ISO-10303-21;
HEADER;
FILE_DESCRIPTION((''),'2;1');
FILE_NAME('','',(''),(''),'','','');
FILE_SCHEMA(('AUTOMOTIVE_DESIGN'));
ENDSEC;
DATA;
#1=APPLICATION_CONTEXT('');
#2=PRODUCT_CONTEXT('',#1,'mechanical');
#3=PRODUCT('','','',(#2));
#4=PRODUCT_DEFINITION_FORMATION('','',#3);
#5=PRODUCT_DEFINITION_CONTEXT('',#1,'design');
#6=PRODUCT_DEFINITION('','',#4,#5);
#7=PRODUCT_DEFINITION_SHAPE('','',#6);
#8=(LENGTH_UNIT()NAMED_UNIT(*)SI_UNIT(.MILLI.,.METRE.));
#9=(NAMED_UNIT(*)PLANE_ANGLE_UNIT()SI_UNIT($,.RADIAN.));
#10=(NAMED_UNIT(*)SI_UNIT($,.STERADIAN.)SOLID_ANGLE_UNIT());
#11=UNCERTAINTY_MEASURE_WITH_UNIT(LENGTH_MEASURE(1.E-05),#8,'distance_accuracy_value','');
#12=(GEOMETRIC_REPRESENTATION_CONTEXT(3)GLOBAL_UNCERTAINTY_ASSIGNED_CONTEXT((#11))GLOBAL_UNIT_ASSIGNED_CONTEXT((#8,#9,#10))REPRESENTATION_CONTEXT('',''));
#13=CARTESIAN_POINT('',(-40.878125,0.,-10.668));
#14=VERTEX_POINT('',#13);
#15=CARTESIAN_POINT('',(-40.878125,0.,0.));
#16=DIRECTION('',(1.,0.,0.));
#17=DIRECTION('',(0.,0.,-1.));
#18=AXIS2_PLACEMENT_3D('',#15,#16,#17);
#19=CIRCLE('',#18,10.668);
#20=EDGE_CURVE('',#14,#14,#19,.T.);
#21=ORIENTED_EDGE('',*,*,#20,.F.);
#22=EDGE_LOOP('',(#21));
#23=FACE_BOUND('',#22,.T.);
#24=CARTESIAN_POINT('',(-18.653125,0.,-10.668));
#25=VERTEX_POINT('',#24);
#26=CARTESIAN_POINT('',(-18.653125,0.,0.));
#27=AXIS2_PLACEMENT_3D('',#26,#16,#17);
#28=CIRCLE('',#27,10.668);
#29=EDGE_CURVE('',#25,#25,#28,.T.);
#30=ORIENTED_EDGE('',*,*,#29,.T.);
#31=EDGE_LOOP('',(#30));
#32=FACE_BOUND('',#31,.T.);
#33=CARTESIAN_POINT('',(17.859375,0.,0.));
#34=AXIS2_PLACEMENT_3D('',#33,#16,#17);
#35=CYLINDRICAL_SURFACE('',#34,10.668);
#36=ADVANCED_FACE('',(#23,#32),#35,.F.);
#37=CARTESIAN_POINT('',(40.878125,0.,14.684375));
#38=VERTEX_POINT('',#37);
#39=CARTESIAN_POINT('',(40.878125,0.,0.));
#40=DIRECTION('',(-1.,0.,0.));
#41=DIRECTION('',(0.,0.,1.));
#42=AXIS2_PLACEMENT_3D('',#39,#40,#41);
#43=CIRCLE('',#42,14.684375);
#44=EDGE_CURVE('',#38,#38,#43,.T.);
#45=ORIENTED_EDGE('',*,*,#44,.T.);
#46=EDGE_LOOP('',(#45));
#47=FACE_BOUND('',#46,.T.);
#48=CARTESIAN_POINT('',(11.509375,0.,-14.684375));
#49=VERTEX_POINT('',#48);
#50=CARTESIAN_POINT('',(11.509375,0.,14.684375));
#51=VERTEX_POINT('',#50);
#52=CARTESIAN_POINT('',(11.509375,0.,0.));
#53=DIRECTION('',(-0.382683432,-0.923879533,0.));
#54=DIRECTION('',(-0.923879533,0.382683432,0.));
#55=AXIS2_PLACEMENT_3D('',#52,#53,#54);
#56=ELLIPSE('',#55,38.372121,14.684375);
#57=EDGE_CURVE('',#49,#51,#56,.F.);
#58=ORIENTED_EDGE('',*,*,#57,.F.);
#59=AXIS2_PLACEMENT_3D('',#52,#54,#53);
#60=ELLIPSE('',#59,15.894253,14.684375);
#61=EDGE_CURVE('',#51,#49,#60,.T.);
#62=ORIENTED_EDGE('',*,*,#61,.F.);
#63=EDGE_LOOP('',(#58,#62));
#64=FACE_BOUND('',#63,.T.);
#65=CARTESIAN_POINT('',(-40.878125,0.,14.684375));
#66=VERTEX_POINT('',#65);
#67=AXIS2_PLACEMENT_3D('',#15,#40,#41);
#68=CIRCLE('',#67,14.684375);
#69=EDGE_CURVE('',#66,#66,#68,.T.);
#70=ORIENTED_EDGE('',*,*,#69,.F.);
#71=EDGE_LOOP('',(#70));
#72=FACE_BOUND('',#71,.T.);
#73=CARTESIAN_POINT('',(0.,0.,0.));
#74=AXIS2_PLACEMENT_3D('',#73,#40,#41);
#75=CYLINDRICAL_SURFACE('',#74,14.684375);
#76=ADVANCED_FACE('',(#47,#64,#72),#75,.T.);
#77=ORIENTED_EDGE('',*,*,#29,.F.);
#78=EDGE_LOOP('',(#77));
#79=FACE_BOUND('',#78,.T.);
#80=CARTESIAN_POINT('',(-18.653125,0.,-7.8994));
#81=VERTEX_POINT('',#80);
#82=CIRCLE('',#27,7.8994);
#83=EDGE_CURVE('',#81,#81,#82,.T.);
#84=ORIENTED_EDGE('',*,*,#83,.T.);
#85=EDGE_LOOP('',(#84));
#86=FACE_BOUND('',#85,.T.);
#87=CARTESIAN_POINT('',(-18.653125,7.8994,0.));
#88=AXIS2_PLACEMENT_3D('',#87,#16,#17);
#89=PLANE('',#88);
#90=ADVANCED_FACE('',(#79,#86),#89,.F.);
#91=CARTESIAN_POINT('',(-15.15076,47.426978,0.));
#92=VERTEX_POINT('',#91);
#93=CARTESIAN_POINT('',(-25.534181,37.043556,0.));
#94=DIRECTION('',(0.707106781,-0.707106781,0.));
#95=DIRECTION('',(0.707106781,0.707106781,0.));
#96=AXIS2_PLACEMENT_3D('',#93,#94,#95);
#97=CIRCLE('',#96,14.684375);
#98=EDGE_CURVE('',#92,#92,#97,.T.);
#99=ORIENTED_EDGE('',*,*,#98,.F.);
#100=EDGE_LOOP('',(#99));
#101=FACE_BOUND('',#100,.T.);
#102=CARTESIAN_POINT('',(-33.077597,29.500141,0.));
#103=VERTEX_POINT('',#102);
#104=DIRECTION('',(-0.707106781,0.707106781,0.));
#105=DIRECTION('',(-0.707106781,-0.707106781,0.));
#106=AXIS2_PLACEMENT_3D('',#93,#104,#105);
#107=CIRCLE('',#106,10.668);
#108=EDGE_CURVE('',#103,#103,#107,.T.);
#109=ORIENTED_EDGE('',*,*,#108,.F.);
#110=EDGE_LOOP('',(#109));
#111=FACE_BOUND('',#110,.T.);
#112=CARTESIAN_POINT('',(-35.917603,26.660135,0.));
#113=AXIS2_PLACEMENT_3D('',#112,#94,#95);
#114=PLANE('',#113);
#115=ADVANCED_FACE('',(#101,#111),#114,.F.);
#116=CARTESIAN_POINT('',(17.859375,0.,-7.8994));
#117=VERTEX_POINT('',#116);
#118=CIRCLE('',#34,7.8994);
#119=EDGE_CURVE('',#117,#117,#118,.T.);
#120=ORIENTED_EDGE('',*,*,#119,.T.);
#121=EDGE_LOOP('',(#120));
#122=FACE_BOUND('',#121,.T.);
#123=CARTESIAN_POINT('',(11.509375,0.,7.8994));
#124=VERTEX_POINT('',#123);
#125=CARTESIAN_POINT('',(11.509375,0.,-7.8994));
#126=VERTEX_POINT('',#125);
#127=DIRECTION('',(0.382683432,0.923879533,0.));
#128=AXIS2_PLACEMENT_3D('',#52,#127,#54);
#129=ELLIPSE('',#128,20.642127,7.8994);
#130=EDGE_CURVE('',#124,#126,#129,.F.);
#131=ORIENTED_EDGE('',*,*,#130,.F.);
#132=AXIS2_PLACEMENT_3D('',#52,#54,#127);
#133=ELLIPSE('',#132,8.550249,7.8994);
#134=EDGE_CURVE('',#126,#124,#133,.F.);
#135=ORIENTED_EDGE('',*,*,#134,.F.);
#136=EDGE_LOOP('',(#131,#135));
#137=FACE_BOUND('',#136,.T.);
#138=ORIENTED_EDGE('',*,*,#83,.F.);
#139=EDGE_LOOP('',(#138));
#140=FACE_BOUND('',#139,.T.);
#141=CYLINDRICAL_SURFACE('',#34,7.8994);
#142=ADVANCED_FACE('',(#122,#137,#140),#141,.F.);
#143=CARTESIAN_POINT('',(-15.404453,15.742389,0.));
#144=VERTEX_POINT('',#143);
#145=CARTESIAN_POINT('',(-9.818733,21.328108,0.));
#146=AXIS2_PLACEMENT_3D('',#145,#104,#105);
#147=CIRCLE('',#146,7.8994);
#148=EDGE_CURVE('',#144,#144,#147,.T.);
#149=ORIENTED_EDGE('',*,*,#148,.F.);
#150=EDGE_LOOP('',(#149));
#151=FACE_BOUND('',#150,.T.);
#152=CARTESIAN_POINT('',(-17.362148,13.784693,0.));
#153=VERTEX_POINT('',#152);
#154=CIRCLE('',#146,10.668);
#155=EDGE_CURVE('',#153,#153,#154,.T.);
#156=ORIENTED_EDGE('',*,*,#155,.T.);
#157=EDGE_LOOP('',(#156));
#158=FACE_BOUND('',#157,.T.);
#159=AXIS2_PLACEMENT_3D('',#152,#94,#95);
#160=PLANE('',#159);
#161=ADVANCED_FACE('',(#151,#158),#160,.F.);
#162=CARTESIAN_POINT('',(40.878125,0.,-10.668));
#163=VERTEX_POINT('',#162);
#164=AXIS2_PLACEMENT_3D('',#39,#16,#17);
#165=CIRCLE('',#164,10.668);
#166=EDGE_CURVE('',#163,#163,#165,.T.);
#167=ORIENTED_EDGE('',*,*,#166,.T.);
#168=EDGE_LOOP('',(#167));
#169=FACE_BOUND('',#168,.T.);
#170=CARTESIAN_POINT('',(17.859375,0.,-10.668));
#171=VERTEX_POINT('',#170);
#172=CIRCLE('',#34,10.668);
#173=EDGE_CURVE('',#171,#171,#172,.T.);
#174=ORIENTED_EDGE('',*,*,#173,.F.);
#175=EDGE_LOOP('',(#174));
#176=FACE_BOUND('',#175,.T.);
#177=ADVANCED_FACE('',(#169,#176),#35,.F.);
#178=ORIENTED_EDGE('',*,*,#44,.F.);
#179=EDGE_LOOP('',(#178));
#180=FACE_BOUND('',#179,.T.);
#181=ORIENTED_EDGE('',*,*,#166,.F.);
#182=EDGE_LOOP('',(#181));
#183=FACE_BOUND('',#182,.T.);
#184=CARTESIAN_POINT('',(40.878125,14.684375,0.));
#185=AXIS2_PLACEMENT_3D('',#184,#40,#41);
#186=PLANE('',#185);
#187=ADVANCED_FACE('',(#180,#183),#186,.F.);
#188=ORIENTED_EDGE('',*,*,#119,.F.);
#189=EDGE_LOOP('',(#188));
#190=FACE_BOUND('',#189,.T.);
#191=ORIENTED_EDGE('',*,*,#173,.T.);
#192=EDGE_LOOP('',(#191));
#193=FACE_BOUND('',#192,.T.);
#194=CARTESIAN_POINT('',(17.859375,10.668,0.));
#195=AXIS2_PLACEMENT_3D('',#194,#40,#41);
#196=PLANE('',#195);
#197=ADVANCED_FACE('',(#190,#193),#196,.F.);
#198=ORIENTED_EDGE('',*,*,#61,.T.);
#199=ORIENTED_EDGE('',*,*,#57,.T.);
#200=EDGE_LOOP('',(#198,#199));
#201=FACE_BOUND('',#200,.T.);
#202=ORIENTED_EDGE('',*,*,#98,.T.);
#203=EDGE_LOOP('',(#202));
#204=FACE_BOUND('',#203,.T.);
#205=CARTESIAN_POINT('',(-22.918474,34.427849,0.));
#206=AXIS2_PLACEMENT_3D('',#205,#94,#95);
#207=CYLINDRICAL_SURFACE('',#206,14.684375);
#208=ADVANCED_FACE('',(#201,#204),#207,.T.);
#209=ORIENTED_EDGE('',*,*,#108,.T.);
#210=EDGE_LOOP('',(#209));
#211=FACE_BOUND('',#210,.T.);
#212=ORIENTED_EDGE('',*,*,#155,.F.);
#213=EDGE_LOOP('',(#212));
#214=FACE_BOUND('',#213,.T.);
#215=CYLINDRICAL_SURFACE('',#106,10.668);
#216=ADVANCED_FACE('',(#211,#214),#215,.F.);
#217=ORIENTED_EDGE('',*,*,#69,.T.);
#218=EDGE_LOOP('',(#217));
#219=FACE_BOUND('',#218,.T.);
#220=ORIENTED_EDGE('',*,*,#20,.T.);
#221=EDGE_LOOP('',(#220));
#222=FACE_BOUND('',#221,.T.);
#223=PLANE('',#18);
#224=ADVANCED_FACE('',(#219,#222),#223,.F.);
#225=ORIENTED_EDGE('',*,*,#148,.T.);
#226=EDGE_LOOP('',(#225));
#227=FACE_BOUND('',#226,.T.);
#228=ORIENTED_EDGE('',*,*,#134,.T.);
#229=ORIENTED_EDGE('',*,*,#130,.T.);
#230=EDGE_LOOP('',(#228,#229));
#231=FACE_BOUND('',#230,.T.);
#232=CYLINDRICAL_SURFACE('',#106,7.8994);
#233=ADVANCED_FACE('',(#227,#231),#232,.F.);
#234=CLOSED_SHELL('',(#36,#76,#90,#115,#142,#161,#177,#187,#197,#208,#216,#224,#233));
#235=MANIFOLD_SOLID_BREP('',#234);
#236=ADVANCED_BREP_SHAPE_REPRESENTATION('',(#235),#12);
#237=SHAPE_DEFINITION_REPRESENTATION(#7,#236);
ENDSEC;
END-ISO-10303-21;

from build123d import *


with BuildPart() as part:
    # Sketch1 → Revolve1 (revolve)
    with BuildSketch(Plane.XY):
        Polygon((-40.878125000000004, 14.684375), (40.87812500000002, 14.68437500000001), (40.878125000000026, -5.3e-15), (-40.87812500000002, -1.531e-14), align=None)
    revolve(axis=Axis((0, 0, 0), (1, 0, 0)))

    # Sketch2 → Revolve2 (revolve)
    with BuildSketch(Plane.XY):
        Polygon((-35.91760263939639, 26.660135359424125), (1.125953860013809, -10.383421139986174), (11.509375000000016, 0), (-25.53418149941018, 37.043556499410315), align=None)
    revolve(axis=Axis((-22.918474439856404, 34.427849439856544, 0), (-0.7071067811865464, 0.7071067811865488, 0)))

    # Sketch3 → Cut-Revolve1 (revolve, cut)
    with BuildSketch(Plane.XY):
        Polygon((-25.534181499651336, 37.043556499169185), (-33.0775966413494, 29.500141357471097), (-17.362148429478385, 13.784693145600082), (-15.40445259508532, 15.742388979993137), (5.92365569245394, -5.585719307546082), (11.509375000000016, 0), align=None)
    revolve(axis=Axis((-25.534181499651336, 37.043556499169185, 0), (0.707106781186548, -0.707106781186547, 0)), mode=Mode.SUBTRACT)

    # Sketch4 → Cut-Revolve2 (revolve, cut)
    with BuildSketch(Plane.XY):
        Polygon((40.87812500000001, 10.667999999999994), (17.85937500000001, 10.667999999999994), (17.85937500000001, 7.899399999999997), (-18.653124999999985, 7.89939999999999), (-18.653124999999985, 10.667999999999987), (-40.87812500000002, 10.667999999999983), (-40.87812500000002, -1.531e-14), (40.878125000000026, -5.3e-15), align=None)
    revolve(axis=Axis((17.859375000000455, 0, 0), (-1, 0, 0)), mode=Mode.SUBTRACT)


solid = part.part
